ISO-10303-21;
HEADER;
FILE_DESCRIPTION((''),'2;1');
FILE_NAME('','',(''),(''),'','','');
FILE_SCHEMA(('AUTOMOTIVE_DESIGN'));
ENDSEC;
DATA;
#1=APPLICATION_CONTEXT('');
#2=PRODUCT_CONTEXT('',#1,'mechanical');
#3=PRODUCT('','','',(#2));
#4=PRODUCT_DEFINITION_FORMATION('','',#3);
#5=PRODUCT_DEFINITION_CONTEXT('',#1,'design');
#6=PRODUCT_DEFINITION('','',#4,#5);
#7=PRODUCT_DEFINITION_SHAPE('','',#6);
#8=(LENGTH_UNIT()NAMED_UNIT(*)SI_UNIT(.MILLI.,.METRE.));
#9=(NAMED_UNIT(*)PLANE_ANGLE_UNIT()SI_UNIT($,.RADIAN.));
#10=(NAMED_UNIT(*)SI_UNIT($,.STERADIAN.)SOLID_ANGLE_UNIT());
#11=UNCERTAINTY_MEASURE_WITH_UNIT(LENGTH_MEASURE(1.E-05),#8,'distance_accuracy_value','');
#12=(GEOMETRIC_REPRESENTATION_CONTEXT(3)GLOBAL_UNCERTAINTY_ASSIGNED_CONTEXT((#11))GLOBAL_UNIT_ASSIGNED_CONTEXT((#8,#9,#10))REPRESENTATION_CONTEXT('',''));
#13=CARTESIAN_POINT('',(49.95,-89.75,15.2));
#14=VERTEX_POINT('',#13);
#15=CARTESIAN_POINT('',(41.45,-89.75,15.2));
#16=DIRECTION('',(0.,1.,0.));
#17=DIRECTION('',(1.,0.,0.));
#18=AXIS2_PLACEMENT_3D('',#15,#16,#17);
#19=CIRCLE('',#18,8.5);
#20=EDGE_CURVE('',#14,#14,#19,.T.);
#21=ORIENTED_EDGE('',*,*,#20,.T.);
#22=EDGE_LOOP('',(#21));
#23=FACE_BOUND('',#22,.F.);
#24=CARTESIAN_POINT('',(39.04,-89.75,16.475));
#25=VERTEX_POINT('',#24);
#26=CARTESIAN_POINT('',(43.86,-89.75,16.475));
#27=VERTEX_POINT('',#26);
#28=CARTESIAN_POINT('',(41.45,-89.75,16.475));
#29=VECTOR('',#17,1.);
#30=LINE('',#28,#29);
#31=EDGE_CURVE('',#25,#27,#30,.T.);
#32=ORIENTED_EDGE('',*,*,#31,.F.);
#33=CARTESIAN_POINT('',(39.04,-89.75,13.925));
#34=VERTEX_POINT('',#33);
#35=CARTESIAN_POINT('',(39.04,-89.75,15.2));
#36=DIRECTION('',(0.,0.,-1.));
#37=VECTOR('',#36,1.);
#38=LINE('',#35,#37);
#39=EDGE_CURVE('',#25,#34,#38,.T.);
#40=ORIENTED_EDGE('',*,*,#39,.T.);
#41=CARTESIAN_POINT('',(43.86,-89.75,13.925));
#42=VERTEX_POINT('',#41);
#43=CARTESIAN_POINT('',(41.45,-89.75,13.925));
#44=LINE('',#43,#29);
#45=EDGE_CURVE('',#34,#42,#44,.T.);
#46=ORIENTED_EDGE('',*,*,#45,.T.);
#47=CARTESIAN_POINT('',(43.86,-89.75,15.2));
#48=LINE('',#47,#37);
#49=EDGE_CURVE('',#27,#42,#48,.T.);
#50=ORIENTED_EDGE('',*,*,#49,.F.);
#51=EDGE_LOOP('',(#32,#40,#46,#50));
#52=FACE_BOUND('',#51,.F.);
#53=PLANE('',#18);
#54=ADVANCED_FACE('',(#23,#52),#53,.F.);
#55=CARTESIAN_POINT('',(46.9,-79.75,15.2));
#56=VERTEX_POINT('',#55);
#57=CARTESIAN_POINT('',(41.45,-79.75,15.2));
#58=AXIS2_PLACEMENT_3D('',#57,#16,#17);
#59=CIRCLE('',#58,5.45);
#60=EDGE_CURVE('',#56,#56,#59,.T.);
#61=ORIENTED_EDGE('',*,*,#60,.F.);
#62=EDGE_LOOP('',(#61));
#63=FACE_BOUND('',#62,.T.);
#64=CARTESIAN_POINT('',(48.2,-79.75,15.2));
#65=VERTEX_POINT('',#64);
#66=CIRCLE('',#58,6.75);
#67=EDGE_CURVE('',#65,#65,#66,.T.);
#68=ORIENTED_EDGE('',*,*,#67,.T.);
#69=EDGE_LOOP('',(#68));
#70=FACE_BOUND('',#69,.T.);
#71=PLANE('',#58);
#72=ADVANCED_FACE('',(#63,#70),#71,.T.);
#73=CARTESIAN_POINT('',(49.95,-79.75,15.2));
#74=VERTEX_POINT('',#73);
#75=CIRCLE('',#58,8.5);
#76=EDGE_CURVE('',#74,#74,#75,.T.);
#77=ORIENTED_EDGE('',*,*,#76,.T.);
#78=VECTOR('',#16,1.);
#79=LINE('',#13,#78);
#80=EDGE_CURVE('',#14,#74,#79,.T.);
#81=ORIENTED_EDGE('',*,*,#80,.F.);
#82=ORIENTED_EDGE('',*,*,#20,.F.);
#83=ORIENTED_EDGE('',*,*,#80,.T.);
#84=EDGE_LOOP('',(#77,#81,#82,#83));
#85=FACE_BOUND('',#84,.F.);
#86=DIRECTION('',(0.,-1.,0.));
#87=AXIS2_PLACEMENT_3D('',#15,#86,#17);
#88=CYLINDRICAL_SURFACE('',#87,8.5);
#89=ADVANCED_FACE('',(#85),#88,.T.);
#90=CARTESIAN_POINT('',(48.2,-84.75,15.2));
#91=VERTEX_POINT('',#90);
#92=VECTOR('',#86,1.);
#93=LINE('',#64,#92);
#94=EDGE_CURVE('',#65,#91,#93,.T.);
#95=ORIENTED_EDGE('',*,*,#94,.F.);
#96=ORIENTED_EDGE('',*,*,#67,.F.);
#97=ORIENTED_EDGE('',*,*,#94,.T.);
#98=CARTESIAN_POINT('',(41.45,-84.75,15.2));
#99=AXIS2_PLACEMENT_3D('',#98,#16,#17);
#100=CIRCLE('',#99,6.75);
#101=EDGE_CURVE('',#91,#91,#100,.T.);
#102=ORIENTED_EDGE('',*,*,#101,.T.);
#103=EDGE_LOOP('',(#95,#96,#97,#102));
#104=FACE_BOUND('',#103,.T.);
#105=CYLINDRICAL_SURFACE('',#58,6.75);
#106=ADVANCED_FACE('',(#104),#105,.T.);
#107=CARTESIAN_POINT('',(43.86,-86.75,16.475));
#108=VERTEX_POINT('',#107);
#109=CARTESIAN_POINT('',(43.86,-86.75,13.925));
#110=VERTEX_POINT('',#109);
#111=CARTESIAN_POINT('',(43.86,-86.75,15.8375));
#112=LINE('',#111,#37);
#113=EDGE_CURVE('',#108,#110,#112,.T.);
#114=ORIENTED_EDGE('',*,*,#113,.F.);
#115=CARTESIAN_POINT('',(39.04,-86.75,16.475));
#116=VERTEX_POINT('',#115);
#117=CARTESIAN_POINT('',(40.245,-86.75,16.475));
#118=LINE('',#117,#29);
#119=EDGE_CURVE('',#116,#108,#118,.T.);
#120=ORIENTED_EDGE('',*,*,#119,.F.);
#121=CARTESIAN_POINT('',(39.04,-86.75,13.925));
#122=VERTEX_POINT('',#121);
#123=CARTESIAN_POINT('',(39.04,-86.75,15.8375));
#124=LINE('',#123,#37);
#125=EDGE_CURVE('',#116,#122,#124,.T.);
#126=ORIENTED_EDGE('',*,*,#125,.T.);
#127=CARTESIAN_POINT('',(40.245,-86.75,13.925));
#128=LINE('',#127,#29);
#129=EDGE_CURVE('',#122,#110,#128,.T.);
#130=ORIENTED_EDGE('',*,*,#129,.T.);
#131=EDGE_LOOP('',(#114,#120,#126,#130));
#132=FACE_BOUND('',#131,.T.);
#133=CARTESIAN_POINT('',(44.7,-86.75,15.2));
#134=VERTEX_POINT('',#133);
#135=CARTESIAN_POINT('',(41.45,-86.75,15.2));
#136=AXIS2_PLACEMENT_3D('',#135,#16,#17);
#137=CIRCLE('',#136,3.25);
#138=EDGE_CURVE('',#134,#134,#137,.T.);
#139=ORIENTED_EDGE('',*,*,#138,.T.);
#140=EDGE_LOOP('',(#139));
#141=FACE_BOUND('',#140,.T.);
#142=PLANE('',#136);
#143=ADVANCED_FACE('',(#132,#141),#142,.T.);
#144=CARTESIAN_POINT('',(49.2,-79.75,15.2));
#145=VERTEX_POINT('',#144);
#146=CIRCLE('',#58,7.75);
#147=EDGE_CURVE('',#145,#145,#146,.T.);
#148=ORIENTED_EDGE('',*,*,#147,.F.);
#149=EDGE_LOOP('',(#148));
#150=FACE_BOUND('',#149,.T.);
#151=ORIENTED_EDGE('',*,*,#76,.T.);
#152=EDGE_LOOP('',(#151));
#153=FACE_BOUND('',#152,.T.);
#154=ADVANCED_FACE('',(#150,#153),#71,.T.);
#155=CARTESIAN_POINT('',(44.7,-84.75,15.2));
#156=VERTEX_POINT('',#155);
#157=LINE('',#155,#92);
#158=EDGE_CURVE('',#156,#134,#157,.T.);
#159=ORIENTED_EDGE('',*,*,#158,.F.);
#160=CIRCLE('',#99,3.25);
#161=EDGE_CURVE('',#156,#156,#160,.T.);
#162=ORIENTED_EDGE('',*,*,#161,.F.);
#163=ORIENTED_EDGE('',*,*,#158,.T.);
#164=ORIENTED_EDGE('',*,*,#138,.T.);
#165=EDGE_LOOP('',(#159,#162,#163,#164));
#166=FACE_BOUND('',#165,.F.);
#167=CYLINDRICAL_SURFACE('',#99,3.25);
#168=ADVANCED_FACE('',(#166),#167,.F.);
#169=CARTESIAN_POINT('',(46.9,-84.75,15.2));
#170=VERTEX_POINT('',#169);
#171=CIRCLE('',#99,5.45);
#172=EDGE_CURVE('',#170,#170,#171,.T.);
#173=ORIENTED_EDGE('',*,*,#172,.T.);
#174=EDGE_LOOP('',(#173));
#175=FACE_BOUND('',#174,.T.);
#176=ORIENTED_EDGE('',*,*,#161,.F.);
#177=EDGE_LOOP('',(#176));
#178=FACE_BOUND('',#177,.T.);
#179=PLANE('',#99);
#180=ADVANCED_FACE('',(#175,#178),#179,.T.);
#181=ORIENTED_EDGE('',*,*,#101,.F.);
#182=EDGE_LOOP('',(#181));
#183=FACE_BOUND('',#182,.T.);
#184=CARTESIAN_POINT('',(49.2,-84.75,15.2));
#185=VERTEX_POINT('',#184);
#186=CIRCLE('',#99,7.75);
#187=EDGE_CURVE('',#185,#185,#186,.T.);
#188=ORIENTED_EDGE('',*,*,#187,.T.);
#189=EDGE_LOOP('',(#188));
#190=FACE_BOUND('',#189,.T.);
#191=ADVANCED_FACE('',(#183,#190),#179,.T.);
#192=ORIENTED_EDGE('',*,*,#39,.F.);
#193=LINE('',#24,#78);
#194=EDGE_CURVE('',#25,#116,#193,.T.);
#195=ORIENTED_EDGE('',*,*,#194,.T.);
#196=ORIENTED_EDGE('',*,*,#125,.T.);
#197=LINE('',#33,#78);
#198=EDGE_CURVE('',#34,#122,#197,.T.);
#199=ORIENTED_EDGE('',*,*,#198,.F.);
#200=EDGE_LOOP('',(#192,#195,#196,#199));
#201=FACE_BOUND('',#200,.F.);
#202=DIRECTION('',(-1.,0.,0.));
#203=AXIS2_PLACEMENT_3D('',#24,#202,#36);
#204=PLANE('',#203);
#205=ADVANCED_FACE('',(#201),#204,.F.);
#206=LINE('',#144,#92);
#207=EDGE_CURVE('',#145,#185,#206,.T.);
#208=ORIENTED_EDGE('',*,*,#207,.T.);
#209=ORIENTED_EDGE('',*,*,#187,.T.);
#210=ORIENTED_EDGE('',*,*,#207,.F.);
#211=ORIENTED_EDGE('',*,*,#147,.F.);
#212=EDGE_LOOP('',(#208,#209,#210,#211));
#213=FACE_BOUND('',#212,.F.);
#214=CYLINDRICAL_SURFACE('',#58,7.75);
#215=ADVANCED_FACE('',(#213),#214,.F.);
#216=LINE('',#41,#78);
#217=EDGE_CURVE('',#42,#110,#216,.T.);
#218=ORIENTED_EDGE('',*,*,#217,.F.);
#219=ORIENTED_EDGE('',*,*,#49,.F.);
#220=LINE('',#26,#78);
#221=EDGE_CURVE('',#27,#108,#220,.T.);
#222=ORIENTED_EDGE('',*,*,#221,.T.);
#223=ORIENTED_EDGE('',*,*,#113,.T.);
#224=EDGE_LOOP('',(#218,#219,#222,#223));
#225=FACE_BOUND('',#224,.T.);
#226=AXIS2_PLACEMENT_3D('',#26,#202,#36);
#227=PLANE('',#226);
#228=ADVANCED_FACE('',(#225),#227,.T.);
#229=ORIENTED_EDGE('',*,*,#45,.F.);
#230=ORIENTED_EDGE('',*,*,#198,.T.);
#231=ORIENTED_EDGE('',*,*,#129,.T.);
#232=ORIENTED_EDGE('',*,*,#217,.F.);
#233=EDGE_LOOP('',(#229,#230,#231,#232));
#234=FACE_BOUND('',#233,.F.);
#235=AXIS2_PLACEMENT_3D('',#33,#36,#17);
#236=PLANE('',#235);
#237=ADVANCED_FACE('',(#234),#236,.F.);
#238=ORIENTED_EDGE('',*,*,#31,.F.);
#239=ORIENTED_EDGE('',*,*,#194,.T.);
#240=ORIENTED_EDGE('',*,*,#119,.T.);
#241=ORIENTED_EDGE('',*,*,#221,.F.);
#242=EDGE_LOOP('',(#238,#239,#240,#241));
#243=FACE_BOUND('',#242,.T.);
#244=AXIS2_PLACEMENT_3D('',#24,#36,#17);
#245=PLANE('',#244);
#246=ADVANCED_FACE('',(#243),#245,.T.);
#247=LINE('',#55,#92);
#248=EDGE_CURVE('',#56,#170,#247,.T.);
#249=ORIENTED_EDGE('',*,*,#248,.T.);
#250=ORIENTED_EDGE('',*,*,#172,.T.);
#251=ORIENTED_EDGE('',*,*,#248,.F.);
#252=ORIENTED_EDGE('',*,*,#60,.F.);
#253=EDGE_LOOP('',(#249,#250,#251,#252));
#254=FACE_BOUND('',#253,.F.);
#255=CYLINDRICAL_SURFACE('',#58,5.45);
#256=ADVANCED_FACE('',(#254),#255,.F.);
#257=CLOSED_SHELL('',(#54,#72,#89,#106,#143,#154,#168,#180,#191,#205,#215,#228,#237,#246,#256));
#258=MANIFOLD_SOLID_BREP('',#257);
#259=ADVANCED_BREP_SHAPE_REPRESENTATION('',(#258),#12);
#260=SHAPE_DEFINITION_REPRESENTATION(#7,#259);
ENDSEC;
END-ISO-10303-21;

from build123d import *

# Parameters (mm, degrees)
SKETCH020_R             = 8.5
SKETCH020_W             = 4.82
SKETCH020_H             = 2.55
PAD013_DEPTH            = 10
SKETCH021_R             = 7.75
SKETCH021_R_2           = 6.75
POCKET010_DEPTH         = 5
SKETCH022_R             = 5.45
POCKET011_DEPTH         = 5
SKETCH023_R             = 3.25
POCKET012_DEPTH         = 2
BODY006_PLACEMENT_ANGLE = 270


with BuildPart() as part:
    # Sketch020 → Pad013 (new body)
    with BuildSketch(Plane.XY):
        Circle(SKETCH020_R)
        Rectangle(SKETCH020_W, SKETCH020_H, mode=Mode.SUBTRACT)
    extrude(amount=PAD013_DEPTH)

    # Sketch021 (on Face7 of Pad013) → Pocket010 (cut)
    with BuildSketch(Plane.XY.offset(10)):
        Circle(SKETCH021_R)
        Circle(SKETCH021_R_2, mode=Mode.SUBTRACT)
    extrude(amount=-POCKET010_DEPTH, mode=Mode.SUBTRACT)

    # Sketch022 (on Face9 of Pocket010) → Pocket011 (cut)
    with BuildSketch(Plane.XY.offset(10)):
        Circle(SKETCH022_R)
    extrude(amount=-POCKET011_DEPTH, mode=Mode.SUBTRACT)

    # Sketch023 (on Face9 of Pocket011) → Pocket012 (cut)
    with BuildSketch(Plane.XY.offset(5)):
        Circle(SKETCH023_R)
    extrude(amount=-POCKET012_DEPTH, mode=Mode.SUBTRACT)


with BuildPart() as part_1:
    # Body006 placement: moved
    add(part.part.moved(Location((41.45, -89.75, 15.2))).rotate(Axis((41.45, -89.75, 15.2), (1, 0, 0)), BODY006_PLACEMENT_ANGLE))


solid = part_1.part
